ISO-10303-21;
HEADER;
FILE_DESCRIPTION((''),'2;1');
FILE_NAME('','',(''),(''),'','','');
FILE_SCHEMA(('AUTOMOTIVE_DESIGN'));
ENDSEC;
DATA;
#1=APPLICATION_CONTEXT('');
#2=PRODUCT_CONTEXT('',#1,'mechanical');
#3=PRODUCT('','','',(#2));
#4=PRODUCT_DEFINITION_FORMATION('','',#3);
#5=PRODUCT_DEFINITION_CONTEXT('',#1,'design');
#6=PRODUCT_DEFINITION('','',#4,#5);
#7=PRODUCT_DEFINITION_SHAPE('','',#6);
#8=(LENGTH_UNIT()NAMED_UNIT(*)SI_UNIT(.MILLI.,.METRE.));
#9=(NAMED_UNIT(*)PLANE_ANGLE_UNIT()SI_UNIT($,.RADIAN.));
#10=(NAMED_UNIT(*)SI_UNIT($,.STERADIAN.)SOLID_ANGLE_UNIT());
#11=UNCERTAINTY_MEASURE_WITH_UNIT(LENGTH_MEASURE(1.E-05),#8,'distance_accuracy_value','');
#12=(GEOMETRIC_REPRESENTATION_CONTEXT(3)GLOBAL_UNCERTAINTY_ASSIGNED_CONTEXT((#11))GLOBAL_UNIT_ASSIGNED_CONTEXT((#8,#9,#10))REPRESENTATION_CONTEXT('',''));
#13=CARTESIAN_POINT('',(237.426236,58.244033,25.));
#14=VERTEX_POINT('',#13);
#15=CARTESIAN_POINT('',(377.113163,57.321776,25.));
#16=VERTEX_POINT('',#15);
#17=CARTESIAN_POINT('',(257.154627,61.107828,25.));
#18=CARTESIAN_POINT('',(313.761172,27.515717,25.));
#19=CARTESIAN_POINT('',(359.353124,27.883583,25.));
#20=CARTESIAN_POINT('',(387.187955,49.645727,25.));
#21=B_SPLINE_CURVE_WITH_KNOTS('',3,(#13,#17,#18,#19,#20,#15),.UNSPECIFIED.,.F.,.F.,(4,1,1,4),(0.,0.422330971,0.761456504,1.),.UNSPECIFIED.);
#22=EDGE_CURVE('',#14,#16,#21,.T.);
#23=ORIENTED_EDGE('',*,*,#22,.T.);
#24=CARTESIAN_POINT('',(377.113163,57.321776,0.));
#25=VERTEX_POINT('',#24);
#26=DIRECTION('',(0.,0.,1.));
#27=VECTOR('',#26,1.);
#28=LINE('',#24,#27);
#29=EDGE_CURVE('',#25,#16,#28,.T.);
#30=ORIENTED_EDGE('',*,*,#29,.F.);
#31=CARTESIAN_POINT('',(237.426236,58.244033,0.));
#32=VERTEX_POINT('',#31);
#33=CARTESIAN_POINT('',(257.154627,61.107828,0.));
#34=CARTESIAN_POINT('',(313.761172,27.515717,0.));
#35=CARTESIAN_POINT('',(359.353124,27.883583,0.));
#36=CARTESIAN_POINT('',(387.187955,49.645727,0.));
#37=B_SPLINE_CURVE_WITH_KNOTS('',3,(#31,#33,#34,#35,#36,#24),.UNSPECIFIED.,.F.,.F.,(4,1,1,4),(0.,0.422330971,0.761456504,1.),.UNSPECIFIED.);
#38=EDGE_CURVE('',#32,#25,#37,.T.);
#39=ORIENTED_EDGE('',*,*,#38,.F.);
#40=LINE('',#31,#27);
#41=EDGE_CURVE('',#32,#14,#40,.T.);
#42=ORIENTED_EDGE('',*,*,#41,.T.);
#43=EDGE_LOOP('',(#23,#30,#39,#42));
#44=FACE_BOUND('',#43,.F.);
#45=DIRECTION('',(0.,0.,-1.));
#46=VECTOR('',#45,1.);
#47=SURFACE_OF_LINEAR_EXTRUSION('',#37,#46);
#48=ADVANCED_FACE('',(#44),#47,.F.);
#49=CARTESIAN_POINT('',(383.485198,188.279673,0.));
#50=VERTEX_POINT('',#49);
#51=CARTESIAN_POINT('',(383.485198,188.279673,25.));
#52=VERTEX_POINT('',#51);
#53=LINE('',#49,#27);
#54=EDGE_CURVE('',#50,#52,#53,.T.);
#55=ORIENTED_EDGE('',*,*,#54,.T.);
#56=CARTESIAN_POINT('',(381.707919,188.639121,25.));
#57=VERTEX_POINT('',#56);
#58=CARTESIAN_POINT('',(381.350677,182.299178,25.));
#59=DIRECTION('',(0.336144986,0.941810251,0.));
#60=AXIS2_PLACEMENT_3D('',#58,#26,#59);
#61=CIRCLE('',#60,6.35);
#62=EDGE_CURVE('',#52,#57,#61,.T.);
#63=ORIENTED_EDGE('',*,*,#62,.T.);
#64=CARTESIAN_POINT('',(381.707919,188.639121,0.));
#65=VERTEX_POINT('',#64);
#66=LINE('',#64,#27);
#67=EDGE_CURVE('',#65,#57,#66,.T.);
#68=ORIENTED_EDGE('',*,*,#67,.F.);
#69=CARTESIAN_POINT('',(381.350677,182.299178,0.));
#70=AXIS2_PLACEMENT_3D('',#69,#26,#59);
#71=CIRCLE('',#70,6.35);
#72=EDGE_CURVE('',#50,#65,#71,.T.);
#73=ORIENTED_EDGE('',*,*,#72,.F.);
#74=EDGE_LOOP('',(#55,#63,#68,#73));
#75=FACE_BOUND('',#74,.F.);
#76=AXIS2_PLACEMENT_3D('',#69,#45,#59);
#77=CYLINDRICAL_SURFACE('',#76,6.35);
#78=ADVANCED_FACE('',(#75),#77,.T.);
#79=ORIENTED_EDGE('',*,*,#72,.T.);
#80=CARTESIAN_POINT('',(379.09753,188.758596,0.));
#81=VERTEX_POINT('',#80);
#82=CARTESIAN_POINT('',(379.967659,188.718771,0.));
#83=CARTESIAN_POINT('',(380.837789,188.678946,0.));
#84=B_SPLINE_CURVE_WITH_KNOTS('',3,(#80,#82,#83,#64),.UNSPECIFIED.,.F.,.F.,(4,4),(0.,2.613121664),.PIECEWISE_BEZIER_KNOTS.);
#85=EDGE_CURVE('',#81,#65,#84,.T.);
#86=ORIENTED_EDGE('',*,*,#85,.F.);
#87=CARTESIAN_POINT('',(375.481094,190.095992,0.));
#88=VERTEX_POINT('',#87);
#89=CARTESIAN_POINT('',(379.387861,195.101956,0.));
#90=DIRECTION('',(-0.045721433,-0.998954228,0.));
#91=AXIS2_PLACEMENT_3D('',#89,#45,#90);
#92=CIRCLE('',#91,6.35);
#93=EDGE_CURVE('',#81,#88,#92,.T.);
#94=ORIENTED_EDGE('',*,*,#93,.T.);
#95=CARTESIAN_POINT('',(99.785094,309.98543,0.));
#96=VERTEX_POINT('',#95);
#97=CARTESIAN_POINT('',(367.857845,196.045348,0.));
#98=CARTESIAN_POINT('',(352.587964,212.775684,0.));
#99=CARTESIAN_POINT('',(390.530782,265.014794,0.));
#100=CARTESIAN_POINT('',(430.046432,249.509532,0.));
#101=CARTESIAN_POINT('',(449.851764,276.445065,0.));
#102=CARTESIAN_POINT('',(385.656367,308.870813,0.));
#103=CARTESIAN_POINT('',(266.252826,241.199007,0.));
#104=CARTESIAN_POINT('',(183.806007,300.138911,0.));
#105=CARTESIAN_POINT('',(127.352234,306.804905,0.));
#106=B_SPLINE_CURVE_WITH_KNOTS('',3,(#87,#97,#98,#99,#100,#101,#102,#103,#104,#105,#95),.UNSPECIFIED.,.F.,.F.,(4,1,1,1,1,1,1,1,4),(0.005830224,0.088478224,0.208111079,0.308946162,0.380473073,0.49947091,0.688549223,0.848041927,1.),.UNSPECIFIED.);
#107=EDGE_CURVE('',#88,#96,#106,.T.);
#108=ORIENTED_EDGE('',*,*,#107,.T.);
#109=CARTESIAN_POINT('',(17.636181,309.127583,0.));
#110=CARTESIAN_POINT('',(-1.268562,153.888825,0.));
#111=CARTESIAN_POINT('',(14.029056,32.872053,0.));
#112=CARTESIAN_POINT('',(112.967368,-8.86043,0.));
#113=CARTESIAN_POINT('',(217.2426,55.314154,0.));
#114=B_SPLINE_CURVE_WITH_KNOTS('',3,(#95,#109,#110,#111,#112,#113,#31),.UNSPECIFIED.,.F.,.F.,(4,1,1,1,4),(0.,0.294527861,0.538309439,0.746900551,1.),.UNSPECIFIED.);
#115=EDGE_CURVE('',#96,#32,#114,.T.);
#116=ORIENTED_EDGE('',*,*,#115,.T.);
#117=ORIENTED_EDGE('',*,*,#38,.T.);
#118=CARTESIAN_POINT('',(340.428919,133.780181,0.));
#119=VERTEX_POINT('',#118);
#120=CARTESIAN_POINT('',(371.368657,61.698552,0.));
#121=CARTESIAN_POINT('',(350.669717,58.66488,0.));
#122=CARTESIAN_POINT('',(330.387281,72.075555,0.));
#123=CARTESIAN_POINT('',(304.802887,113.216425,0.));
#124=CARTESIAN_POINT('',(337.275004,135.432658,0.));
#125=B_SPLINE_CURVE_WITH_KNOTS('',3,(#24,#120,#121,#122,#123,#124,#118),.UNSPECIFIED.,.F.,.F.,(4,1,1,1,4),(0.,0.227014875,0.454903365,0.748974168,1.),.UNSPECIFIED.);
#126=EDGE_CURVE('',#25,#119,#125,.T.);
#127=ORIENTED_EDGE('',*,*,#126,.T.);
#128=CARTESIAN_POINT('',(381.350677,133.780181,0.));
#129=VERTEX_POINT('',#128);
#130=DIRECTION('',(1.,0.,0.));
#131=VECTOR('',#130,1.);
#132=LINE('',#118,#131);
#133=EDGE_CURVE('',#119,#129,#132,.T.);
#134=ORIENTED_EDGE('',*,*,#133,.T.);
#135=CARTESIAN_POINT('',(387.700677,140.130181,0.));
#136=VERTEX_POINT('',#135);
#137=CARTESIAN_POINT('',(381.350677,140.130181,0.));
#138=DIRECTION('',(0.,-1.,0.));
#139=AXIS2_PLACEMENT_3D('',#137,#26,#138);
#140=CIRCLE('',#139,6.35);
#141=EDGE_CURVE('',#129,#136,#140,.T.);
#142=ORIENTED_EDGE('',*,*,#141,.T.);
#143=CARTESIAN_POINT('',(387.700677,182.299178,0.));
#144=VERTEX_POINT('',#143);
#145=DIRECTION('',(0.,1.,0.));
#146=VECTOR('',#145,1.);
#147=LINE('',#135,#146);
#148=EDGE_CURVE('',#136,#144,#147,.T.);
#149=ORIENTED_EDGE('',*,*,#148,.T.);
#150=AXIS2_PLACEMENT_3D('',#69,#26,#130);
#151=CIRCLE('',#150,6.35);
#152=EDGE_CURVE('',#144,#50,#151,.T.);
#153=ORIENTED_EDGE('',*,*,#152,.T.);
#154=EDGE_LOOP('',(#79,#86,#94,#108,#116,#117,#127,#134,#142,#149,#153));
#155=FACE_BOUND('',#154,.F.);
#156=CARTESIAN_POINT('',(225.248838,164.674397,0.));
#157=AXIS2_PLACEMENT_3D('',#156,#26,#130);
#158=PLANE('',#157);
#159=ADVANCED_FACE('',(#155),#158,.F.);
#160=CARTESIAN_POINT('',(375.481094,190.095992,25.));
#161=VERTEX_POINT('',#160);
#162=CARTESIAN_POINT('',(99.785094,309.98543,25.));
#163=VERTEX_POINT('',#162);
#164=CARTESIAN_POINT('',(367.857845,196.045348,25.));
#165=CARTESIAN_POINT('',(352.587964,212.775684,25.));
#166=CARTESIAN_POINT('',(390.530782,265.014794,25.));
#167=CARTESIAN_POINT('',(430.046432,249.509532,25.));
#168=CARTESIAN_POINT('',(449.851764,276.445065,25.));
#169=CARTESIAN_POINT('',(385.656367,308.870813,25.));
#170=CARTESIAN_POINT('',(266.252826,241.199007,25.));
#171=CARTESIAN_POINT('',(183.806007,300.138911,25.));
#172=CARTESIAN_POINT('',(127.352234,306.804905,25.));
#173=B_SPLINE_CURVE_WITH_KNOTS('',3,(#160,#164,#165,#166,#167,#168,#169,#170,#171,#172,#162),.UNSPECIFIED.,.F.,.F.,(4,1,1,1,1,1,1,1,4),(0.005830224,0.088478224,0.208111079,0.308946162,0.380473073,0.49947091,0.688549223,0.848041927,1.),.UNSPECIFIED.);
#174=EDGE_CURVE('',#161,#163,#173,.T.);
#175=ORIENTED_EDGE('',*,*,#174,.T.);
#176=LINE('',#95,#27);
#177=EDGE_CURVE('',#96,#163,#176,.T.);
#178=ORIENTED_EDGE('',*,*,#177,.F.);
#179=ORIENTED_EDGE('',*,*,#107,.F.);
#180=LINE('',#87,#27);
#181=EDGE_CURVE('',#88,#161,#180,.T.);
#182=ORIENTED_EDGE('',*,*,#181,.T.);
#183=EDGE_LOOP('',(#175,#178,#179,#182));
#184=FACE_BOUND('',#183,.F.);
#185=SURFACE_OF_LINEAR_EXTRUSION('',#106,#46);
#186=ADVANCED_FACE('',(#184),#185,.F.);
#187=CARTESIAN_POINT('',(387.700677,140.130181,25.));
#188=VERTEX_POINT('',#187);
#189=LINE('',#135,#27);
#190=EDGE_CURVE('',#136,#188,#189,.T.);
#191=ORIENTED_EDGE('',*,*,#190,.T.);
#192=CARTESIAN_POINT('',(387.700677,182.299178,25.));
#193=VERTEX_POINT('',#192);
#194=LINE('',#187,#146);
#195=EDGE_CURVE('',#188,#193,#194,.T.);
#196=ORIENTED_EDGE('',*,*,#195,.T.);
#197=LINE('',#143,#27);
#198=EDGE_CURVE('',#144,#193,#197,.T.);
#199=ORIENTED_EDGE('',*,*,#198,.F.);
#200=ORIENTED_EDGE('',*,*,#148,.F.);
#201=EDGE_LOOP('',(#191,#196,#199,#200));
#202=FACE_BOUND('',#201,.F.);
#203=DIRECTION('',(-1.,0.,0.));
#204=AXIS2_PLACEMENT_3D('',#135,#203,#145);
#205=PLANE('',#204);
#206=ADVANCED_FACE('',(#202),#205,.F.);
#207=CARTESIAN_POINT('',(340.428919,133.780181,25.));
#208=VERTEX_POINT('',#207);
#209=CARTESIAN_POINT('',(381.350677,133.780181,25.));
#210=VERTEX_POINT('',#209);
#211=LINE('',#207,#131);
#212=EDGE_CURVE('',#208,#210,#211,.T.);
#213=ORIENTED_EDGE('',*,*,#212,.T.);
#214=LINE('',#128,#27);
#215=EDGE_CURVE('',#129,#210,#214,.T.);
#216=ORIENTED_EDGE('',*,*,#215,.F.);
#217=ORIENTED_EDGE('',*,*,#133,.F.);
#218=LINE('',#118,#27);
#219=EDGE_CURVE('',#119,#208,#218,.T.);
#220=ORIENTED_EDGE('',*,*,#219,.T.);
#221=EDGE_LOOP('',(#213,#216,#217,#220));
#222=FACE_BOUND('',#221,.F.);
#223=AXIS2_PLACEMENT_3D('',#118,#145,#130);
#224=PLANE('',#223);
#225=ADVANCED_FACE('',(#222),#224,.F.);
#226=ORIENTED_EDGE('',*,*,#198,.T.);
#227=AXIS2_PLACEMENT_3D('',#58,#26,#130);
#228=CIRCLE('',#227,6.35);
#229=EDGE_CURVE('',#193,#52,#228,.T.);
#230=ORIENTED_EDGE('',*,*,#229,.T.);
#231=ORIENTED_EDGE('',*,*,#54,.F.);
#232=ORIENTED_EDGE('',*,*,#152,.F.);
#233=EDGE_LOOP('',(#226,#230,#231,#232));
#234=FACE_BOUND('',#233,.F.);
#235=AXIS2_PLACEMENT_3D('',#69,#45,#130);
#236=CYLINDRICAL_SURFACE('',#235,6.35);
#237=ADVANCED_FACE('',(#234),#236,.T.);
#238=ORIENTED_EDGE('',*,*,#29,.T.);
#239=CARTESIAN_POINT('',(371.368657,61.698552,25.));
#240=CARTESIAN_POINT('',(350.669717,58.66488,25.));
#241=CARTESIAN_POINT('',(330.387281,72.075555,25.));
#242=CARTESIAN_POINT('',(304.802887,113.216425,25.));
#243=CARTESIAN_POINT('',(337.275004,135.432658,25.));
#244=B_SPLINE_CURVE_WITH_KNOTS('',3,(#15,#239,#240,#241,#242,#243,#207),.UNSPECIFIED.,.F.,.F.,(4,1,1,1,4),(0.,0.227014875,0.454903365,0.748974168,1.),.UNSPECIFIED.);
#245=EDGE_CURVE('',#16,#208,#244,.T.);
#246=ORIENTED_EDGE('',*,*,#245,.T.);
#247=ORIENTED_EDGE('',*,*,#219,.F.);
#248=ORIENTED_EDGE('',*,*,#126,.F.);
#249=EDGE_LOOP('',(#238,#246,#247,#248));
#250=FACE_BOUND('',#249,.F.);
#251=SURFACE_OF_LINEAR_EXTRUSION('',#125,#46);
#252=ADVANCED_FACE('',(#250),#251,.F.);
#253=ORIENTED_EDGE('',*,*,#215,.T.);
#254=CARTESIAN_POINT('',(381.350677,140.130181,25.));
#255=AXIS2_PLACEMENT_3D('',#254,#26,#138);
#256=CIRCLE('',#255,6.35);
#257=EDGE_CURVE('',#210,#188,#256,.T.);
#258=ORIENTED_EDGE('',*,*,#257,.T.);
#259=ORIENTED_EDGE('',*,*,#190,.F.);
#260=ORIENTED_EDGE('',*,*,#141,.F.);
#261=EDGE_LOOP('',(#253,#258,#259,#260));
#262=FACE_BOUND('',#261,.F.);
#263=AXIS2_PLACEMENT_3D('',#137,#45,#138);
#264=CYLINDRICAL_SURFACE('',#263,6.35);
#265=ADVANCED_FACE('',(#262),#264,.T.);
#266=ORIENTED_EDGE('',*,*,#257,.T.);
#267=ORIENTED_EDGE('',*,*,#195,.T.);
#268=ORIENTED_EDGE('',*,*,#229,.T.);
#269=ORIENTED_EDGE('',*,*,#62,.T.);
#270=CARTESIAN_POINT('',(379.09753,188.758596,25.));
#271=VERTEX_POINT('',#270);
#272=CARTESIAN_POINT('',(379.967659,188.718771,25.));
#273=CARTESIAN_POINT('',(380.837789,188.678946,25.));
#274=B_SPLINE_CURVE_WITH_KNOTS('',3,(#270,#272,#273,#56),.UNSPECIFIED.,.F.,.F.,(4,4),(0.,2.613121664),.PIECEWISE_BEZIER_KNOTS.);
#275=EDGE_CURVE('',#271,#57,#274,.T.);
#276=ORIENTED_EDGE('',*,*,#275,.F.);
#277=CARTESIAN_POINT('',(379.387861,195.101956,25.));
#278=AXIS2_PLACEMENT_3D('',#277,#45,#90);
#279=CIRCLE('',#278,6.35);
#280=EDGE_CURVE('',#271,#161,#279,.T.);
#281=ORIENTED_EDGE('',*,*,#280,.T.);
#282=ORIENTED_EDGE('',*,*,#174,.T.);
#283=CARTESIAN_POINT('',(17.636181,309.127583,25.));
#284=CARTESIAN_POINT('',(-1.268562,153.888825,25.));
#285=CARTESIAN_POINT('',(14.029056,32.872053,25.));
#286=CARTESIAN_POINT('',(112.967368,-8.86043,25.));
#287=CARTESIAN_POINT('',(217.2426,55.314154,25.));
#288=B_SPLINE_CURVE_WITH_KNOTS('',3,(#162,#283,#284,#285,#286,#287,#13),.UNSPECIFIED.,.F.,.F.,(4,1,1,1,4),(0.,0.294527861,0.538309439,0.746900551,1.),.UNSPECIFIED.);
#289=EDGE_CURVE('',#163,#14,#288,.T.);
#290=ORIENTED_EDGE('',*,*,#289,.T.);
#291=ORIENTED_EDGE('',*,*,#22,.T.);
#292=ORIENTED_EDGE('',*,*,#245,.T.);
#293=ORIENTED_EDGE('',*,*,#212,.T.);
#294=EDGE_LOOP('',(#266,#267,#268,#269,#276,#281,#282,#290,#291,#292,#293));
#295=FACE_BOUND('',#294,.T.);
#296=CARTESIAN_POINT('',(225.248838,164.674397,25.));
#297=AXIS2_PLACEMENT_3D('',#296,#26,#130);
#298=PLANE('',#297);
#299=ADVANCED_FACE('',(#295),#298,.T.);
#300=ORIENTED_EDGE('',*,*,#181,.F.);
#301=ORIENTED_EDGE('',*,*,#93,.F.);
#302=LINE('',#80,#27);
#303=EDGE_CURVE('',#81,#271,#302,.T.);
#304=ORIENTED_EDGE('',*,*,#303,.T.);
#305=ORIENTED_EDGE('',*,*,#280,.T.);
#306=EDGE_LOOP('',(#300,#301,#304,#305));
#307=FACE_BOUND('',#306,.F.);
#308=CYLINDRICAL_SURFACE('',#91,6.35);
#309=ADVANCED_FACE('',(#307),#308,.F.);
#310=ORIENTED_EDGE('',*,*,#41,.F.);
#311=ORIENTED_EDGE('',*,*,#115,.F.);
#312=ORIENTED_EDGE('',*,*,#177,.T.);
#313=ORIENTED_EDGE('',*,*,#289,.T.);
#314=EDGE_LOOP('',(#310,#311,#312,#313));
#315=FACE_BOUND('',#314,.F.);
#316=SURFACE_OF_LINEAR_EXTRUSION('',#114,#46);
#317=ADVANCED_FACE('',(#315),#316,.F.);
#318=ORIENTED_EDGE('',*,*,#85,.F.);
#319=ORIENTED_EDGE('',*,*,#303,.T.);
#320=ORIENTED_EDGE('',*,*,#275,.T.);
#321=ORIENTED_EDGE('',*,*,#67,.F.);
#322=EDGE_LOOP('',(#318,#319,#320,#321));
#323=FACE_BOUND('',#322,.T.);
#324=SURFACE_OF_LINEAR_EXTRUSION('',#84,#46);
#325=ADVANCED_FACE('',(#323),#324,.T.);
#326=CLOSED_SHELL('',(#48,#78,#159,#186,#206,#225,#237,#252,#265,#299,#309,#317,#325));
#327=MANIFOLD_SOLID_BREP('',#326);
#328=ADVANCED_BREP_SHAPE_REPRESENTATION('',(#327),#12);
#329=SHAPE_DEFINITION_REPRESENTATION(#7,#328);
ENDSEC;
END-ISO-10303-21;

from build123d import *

# Parameters (mm, degrees)
F1_DEPTH = 25


with BuildPart() as f1:
    # F0 (on Top) → F1 (new body)
    with BuildSketch(Plane.XY):
        with BuildLine():
            add(Edge.make_bspline(
                [(375.4810937033, 190.0959920866), (367.8578445588, 196.0453478992), (352.587964027, 212.7756842018), (390.5307816379, 265.0147943615), (430.0464323129, 249.5095315542), (449.8517644907, 276.4450653343), (385.6563674938, 308.8708129295), (266.2528256827, 241.1990069181), (183.8060072093, 300.1389110058), (127.3522344266, 306.8049046537), (99.7850937892, 309.9854303337)],
                knots=[0.0058302243, 0.0058302243, 0.0058302243, 0.0058302243, 0.0884782239, 0.2081110794, 0.308946162, 0.3804730732, 0.4994709104, 0.6885492231, 0.8480419272, 1, 1, 1, 1], degree=3))
            add(Edge.make_bspline(
                [(99.7850937892, 309.9854303337), (17.6361805695, 309.1275825123), (-1.2685618729, 153.8888252521), (14.0290555241, 32.8720528766), (112.9673675609, -8.8604302271), (217.2425995664, 55.3141541761), (237.4262362719, 58.2440329475)],
                knots=[0, 0, 0, 0, 0.2945278607, 0.5383094395, 0.7469005514, 1, 1, 1, 1], degree=3))
            add(Edge.make_bspline(
                [(237.4262362719, 58.2440329475), (257.1546271203, 61.1078277327), (313.7611721175, 27.5157166252), (359.3531242037, 27.8835825043), (387.1879546129, 49.6457273701), (377.1131634712, 57.3217757046)],
                knots=[0, 0, 0, 0, 0.4223309711, 0.7614565043, 1, 1, 1, 1], degree=3))
            add(Edge.make_bspline(
                [(377.1131634712, 57.3217757046), (371.368656739, 61.6985524253), (350.6697166977, 58.6648801631), (330.3872807476, 72.0755549559), (304.8028874604, 113.2164252956), (337.2750039134, 135.4326581449), (340.4289186001, 133.7801814079)],
                knots=[0, 0, 0, 0, 0.2270148749, 0.4549033648, 0.7489741676, 1, 1, 1, 1], degree=3))
            Line((340.4289186001, 133.7801814079), (381.350676918, 133.7801814079))
            ThreePointArc((381.350676918, 133.7801814079), (385.8408049786, 135.6400533474), (387.700676918, 140.1301814079))
            Line((387.700676918, 140.1301814079), (387.700676918, 182.2991775513))
            ThreePointArc((387.700676918, 182.2991775513), (386.5408939759, 185.9576125845), (383.4851975818, 188.2796726425))
            ThreePointArc((383.4851975818, 188.2796726425), (382.6094543346, 188.5231617588), (381.7079185772, 188.6391206423))
            add(Edge.make_bspline(
                [(379.0975296412, 188.7585963099), (379.9676592865, 188.7187710874), (380.8377889319, 188.6789458648), (381.7079185772, 188.6391206423)],
                knots=[0, 0, 0, 0, 2.6131216642, 2.6131216642, 2.6131216642, 2.6131216642], degree=3))
            ThreePointArc((379.0975296412, 188.7585963099), (377.1853473904, 189.1461656261), (375.4810937033, 190.0959920866))
        make_face()
    extrude(amount=F1_DEPTH)


solid = f1.part
